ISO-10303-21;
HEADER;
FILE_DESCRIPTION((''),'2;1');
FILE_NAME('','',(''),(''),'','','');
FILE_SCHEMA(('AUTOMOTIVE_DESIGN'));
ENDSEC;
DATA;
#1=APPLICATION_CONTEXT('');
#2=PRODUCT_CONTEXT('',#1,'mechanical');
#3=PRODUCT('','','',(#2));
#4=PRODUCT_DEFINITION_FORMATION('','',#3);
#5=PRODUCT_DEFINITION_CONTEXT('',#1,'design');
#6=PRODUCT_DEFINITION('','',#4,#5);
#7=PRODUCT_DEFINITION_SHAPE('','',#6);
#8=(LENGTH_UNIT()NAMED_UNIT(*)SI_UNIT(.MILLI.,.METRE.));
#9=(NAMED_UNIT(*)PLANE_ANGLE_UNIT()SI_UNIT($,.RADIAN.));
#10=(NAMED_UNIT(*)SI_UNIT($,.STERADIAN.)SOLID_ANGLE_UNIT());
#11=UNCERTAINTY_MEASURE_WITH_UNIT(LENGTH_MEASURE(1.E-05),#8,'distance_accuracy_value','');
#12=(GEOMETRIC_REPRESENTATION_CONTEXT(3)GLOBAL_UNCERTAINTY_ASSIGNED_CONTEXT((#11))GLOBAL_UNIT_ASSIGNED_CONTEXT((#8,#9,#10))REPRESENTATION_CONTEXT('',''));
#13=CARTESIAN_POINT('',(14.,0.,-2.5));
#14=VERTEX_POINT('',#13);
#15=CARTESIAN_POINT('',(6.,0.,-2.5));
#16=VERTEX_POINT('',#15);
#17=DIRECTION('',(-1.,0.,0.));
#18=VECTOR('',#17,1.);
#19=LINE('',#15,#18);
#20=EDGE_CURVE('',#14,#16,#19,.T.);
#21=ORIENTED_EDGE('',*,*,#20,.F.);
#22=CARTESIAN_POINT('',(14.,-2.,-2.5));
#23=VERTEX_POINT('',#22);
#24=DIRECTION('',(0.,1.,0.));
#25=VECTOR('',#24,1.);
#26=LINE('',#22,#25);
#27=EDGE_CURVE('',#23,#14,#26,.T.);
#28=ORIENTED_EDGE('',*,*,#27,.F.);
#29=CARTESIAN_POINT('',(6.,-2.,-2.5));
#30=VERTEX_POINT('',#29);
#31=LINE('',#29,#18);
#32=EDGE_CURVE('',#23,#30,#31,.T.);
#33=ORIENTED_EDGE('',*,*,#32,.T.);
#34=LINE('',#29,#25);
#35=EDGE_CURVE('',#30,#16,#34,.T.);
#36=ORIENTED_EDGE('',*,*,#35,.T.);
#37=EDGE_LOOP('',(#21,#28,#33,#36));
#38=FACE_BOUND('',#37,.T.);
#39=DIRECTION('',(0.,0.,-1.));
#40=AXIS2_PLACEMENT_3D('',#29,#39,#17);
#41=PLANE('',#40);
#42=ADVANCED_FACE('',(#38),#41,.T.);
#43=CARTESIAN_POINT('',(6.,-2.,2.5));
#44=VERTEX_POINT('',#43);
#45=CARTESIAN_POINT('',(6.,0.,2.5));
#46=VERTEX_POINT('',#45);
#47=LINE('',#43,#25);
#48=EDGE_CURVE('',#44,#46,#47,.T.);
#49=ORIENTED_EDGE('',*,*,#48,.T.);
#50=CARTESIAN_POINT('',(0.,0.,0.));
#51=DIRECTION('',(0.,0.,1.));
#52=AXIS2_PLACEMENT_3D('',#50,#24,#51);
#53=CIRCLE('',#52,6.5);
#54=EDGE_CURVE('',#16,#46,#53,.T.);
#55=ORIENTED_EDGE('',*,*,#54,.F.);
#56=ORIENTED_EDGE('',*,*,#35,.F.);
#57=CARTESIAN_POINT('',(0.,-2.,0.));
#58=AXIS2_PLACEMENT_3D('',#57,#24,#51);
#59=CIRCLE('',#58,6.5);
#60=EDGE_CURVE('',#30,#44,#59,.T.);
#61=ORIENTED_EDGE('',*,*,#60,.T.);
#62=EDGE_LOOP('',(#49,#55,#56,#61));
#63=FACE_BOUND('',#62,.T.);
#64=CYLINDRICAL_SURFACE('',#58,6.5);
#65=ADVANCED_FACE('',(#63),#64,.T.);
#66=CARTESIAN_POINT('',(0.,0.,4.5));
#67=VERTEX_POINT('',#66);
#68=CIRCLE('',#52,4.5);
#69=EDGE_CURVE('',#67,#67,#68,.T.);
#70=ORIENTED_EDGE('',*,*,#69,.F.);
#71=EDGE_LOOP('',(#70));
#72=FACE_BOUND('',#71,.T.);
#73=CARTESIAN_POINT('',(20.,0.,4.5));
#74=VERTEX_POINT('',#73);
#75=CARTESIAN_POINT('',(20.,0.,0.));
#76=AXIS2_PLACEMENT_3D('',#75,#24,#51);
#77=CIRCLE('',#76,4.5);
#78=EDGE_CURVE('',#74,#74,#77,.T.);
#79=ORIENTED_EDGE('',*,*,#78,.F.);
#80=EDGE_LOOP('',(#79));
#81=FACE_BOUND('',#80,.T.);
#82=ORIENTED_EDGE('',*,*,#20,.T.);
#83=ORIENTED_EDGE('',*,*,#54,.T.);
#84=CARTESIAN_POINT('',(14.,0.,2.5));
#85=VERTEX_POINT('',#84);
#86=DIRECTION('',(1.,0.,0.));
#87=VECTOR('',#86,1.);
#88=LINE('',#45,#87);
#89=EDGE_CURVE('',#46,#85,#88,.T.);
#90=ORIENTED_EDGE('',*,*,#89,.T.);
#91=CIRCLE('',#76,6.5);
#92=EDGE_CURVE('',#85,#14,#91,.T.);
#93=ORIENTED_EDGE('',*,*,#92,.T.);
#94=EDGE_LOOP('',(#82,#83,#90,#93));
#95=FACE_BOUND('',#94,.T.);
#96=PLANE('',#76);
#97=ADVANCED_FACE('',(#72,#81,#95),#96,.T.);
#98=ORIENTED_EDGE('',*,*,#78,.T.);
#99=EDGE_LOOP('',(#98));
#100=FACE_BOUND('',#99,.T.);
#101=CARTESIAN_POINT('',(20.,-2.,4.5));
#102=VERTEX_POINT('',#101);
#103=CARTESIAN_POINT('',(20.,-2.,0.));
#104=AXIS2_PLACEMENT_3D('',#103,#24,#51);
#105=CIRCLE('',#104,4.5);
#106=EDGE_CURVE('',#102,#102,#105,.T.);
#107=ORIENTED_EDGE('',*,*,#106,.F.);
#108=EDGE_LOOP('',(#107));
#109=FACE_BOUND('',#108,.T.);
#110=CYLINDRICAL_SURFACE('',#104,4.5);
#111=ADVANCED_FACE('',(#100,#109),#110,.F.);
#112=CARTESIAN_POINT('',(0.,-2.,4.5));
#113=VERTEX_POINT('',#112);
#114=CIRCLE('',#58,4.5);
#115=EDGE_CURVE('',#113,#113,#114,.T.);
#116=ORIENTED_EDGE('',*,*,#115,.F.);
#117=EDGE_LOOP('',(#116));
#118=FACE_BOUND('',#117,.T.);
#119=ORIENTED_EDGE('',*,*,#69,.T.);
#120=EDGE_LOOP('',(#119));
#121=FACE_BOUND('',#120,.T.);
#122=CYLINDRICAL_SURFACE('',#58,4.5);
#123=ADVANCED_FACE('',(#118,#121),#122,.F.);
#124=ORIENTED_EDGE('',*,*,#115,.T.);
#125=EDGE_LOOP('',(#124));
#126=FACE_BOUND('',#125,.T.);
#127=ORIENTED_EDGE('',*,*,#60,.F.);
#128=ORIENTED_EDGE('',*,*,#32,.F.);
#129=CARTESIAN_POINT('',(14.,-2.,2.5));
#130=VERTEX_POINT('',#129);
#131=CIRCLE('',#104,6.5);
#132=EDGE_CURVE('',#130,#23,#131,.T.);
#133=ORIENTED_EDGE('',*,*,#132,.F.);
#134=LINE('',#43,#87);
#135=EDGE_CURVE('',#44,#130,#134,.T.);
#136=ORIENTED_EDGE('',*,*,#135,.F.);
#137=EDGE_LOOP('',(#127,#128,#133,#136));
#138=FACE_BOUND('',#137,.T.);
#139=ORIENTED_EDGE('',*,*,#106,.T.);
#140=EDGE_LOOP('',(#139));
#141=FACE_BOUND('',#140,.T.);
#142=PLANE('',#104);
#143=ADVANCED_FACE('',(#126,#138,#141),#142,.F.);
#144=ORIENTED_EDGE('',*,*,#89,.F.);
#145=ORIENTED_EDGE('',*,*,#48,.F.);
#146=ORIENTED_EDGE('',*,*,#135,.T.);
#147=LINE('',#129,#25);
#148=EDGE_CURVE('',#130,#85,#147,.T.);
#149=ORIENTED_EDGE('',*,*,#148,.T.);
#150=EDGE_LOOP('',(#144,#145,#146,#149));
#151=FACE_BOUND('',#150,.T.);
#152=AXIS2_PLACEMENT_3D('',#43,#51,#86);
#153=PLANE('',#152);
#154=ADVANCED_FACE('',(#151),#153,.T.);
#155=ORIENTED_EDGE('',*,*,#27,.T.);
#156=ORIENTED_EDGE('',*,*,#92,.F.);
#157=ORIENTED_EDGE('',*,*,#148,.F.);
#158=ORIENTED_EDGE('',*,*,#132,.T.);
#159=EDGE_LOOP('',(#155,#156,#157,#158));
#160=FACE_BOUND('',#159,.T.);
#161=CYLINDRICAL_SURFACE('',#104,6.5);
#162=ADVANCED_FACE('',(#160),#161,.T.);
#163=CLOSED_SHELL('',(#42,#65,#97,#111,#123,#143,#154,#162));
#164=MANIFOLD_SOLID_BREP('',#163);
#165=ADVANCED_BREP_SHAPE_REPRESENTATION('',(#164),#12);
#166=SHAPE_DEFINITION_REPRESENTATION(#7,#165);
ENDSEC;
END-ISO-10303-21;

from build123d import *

# Parameters (mm, degrees)
RESSALTO_EXTRUS_O1_DEPTH = 2
ESBO_O2_R                = 4.5
CORTE_EXTRUS_O1_DEPTH    = 2


with BuildPart() as part:
    # Esboço1 → Ressalto-extrusão1 (new body)
    with BuildSketch(Plane(origin=(0, 0, 0), x_dir=(1, 0, 0), z_dir=(0, 1, 0))):
        with BuildLine():
            Line((6, -2.5), (14, -2.5))
            ThreePointArc((14, -2.5), (26.5, 0), (14, 2.5))
            Line((14, 2.5), (6, 2.5))
            ThreePointArc((6, 2.5), (-6.5, 0), (6, -2.5))
        make_face()
    extrude(amount=-RESSALTO_EXTRUS_O1_DEPTH)

    # Esboço2 → Corte-extrusão1 (cut)
    with BuildSketch(Plane(origin=(0, 0, 0), x_dir=(1, 0, 0), z_dir=(0, 1, 0))):
        with Locations(Location((0, 0, 0), (0, 0, 270))):
            Circle(ESBO_O2_R)
        with Locations(Location((20, 0, 0), (0, 0, 270))):
            Circle(ESBO_O2_R)
    extrude(amount=-CORTE_EXTRUS_O1_DEPTH, mode=Mode.SUBTRACT)


solid = part.part
